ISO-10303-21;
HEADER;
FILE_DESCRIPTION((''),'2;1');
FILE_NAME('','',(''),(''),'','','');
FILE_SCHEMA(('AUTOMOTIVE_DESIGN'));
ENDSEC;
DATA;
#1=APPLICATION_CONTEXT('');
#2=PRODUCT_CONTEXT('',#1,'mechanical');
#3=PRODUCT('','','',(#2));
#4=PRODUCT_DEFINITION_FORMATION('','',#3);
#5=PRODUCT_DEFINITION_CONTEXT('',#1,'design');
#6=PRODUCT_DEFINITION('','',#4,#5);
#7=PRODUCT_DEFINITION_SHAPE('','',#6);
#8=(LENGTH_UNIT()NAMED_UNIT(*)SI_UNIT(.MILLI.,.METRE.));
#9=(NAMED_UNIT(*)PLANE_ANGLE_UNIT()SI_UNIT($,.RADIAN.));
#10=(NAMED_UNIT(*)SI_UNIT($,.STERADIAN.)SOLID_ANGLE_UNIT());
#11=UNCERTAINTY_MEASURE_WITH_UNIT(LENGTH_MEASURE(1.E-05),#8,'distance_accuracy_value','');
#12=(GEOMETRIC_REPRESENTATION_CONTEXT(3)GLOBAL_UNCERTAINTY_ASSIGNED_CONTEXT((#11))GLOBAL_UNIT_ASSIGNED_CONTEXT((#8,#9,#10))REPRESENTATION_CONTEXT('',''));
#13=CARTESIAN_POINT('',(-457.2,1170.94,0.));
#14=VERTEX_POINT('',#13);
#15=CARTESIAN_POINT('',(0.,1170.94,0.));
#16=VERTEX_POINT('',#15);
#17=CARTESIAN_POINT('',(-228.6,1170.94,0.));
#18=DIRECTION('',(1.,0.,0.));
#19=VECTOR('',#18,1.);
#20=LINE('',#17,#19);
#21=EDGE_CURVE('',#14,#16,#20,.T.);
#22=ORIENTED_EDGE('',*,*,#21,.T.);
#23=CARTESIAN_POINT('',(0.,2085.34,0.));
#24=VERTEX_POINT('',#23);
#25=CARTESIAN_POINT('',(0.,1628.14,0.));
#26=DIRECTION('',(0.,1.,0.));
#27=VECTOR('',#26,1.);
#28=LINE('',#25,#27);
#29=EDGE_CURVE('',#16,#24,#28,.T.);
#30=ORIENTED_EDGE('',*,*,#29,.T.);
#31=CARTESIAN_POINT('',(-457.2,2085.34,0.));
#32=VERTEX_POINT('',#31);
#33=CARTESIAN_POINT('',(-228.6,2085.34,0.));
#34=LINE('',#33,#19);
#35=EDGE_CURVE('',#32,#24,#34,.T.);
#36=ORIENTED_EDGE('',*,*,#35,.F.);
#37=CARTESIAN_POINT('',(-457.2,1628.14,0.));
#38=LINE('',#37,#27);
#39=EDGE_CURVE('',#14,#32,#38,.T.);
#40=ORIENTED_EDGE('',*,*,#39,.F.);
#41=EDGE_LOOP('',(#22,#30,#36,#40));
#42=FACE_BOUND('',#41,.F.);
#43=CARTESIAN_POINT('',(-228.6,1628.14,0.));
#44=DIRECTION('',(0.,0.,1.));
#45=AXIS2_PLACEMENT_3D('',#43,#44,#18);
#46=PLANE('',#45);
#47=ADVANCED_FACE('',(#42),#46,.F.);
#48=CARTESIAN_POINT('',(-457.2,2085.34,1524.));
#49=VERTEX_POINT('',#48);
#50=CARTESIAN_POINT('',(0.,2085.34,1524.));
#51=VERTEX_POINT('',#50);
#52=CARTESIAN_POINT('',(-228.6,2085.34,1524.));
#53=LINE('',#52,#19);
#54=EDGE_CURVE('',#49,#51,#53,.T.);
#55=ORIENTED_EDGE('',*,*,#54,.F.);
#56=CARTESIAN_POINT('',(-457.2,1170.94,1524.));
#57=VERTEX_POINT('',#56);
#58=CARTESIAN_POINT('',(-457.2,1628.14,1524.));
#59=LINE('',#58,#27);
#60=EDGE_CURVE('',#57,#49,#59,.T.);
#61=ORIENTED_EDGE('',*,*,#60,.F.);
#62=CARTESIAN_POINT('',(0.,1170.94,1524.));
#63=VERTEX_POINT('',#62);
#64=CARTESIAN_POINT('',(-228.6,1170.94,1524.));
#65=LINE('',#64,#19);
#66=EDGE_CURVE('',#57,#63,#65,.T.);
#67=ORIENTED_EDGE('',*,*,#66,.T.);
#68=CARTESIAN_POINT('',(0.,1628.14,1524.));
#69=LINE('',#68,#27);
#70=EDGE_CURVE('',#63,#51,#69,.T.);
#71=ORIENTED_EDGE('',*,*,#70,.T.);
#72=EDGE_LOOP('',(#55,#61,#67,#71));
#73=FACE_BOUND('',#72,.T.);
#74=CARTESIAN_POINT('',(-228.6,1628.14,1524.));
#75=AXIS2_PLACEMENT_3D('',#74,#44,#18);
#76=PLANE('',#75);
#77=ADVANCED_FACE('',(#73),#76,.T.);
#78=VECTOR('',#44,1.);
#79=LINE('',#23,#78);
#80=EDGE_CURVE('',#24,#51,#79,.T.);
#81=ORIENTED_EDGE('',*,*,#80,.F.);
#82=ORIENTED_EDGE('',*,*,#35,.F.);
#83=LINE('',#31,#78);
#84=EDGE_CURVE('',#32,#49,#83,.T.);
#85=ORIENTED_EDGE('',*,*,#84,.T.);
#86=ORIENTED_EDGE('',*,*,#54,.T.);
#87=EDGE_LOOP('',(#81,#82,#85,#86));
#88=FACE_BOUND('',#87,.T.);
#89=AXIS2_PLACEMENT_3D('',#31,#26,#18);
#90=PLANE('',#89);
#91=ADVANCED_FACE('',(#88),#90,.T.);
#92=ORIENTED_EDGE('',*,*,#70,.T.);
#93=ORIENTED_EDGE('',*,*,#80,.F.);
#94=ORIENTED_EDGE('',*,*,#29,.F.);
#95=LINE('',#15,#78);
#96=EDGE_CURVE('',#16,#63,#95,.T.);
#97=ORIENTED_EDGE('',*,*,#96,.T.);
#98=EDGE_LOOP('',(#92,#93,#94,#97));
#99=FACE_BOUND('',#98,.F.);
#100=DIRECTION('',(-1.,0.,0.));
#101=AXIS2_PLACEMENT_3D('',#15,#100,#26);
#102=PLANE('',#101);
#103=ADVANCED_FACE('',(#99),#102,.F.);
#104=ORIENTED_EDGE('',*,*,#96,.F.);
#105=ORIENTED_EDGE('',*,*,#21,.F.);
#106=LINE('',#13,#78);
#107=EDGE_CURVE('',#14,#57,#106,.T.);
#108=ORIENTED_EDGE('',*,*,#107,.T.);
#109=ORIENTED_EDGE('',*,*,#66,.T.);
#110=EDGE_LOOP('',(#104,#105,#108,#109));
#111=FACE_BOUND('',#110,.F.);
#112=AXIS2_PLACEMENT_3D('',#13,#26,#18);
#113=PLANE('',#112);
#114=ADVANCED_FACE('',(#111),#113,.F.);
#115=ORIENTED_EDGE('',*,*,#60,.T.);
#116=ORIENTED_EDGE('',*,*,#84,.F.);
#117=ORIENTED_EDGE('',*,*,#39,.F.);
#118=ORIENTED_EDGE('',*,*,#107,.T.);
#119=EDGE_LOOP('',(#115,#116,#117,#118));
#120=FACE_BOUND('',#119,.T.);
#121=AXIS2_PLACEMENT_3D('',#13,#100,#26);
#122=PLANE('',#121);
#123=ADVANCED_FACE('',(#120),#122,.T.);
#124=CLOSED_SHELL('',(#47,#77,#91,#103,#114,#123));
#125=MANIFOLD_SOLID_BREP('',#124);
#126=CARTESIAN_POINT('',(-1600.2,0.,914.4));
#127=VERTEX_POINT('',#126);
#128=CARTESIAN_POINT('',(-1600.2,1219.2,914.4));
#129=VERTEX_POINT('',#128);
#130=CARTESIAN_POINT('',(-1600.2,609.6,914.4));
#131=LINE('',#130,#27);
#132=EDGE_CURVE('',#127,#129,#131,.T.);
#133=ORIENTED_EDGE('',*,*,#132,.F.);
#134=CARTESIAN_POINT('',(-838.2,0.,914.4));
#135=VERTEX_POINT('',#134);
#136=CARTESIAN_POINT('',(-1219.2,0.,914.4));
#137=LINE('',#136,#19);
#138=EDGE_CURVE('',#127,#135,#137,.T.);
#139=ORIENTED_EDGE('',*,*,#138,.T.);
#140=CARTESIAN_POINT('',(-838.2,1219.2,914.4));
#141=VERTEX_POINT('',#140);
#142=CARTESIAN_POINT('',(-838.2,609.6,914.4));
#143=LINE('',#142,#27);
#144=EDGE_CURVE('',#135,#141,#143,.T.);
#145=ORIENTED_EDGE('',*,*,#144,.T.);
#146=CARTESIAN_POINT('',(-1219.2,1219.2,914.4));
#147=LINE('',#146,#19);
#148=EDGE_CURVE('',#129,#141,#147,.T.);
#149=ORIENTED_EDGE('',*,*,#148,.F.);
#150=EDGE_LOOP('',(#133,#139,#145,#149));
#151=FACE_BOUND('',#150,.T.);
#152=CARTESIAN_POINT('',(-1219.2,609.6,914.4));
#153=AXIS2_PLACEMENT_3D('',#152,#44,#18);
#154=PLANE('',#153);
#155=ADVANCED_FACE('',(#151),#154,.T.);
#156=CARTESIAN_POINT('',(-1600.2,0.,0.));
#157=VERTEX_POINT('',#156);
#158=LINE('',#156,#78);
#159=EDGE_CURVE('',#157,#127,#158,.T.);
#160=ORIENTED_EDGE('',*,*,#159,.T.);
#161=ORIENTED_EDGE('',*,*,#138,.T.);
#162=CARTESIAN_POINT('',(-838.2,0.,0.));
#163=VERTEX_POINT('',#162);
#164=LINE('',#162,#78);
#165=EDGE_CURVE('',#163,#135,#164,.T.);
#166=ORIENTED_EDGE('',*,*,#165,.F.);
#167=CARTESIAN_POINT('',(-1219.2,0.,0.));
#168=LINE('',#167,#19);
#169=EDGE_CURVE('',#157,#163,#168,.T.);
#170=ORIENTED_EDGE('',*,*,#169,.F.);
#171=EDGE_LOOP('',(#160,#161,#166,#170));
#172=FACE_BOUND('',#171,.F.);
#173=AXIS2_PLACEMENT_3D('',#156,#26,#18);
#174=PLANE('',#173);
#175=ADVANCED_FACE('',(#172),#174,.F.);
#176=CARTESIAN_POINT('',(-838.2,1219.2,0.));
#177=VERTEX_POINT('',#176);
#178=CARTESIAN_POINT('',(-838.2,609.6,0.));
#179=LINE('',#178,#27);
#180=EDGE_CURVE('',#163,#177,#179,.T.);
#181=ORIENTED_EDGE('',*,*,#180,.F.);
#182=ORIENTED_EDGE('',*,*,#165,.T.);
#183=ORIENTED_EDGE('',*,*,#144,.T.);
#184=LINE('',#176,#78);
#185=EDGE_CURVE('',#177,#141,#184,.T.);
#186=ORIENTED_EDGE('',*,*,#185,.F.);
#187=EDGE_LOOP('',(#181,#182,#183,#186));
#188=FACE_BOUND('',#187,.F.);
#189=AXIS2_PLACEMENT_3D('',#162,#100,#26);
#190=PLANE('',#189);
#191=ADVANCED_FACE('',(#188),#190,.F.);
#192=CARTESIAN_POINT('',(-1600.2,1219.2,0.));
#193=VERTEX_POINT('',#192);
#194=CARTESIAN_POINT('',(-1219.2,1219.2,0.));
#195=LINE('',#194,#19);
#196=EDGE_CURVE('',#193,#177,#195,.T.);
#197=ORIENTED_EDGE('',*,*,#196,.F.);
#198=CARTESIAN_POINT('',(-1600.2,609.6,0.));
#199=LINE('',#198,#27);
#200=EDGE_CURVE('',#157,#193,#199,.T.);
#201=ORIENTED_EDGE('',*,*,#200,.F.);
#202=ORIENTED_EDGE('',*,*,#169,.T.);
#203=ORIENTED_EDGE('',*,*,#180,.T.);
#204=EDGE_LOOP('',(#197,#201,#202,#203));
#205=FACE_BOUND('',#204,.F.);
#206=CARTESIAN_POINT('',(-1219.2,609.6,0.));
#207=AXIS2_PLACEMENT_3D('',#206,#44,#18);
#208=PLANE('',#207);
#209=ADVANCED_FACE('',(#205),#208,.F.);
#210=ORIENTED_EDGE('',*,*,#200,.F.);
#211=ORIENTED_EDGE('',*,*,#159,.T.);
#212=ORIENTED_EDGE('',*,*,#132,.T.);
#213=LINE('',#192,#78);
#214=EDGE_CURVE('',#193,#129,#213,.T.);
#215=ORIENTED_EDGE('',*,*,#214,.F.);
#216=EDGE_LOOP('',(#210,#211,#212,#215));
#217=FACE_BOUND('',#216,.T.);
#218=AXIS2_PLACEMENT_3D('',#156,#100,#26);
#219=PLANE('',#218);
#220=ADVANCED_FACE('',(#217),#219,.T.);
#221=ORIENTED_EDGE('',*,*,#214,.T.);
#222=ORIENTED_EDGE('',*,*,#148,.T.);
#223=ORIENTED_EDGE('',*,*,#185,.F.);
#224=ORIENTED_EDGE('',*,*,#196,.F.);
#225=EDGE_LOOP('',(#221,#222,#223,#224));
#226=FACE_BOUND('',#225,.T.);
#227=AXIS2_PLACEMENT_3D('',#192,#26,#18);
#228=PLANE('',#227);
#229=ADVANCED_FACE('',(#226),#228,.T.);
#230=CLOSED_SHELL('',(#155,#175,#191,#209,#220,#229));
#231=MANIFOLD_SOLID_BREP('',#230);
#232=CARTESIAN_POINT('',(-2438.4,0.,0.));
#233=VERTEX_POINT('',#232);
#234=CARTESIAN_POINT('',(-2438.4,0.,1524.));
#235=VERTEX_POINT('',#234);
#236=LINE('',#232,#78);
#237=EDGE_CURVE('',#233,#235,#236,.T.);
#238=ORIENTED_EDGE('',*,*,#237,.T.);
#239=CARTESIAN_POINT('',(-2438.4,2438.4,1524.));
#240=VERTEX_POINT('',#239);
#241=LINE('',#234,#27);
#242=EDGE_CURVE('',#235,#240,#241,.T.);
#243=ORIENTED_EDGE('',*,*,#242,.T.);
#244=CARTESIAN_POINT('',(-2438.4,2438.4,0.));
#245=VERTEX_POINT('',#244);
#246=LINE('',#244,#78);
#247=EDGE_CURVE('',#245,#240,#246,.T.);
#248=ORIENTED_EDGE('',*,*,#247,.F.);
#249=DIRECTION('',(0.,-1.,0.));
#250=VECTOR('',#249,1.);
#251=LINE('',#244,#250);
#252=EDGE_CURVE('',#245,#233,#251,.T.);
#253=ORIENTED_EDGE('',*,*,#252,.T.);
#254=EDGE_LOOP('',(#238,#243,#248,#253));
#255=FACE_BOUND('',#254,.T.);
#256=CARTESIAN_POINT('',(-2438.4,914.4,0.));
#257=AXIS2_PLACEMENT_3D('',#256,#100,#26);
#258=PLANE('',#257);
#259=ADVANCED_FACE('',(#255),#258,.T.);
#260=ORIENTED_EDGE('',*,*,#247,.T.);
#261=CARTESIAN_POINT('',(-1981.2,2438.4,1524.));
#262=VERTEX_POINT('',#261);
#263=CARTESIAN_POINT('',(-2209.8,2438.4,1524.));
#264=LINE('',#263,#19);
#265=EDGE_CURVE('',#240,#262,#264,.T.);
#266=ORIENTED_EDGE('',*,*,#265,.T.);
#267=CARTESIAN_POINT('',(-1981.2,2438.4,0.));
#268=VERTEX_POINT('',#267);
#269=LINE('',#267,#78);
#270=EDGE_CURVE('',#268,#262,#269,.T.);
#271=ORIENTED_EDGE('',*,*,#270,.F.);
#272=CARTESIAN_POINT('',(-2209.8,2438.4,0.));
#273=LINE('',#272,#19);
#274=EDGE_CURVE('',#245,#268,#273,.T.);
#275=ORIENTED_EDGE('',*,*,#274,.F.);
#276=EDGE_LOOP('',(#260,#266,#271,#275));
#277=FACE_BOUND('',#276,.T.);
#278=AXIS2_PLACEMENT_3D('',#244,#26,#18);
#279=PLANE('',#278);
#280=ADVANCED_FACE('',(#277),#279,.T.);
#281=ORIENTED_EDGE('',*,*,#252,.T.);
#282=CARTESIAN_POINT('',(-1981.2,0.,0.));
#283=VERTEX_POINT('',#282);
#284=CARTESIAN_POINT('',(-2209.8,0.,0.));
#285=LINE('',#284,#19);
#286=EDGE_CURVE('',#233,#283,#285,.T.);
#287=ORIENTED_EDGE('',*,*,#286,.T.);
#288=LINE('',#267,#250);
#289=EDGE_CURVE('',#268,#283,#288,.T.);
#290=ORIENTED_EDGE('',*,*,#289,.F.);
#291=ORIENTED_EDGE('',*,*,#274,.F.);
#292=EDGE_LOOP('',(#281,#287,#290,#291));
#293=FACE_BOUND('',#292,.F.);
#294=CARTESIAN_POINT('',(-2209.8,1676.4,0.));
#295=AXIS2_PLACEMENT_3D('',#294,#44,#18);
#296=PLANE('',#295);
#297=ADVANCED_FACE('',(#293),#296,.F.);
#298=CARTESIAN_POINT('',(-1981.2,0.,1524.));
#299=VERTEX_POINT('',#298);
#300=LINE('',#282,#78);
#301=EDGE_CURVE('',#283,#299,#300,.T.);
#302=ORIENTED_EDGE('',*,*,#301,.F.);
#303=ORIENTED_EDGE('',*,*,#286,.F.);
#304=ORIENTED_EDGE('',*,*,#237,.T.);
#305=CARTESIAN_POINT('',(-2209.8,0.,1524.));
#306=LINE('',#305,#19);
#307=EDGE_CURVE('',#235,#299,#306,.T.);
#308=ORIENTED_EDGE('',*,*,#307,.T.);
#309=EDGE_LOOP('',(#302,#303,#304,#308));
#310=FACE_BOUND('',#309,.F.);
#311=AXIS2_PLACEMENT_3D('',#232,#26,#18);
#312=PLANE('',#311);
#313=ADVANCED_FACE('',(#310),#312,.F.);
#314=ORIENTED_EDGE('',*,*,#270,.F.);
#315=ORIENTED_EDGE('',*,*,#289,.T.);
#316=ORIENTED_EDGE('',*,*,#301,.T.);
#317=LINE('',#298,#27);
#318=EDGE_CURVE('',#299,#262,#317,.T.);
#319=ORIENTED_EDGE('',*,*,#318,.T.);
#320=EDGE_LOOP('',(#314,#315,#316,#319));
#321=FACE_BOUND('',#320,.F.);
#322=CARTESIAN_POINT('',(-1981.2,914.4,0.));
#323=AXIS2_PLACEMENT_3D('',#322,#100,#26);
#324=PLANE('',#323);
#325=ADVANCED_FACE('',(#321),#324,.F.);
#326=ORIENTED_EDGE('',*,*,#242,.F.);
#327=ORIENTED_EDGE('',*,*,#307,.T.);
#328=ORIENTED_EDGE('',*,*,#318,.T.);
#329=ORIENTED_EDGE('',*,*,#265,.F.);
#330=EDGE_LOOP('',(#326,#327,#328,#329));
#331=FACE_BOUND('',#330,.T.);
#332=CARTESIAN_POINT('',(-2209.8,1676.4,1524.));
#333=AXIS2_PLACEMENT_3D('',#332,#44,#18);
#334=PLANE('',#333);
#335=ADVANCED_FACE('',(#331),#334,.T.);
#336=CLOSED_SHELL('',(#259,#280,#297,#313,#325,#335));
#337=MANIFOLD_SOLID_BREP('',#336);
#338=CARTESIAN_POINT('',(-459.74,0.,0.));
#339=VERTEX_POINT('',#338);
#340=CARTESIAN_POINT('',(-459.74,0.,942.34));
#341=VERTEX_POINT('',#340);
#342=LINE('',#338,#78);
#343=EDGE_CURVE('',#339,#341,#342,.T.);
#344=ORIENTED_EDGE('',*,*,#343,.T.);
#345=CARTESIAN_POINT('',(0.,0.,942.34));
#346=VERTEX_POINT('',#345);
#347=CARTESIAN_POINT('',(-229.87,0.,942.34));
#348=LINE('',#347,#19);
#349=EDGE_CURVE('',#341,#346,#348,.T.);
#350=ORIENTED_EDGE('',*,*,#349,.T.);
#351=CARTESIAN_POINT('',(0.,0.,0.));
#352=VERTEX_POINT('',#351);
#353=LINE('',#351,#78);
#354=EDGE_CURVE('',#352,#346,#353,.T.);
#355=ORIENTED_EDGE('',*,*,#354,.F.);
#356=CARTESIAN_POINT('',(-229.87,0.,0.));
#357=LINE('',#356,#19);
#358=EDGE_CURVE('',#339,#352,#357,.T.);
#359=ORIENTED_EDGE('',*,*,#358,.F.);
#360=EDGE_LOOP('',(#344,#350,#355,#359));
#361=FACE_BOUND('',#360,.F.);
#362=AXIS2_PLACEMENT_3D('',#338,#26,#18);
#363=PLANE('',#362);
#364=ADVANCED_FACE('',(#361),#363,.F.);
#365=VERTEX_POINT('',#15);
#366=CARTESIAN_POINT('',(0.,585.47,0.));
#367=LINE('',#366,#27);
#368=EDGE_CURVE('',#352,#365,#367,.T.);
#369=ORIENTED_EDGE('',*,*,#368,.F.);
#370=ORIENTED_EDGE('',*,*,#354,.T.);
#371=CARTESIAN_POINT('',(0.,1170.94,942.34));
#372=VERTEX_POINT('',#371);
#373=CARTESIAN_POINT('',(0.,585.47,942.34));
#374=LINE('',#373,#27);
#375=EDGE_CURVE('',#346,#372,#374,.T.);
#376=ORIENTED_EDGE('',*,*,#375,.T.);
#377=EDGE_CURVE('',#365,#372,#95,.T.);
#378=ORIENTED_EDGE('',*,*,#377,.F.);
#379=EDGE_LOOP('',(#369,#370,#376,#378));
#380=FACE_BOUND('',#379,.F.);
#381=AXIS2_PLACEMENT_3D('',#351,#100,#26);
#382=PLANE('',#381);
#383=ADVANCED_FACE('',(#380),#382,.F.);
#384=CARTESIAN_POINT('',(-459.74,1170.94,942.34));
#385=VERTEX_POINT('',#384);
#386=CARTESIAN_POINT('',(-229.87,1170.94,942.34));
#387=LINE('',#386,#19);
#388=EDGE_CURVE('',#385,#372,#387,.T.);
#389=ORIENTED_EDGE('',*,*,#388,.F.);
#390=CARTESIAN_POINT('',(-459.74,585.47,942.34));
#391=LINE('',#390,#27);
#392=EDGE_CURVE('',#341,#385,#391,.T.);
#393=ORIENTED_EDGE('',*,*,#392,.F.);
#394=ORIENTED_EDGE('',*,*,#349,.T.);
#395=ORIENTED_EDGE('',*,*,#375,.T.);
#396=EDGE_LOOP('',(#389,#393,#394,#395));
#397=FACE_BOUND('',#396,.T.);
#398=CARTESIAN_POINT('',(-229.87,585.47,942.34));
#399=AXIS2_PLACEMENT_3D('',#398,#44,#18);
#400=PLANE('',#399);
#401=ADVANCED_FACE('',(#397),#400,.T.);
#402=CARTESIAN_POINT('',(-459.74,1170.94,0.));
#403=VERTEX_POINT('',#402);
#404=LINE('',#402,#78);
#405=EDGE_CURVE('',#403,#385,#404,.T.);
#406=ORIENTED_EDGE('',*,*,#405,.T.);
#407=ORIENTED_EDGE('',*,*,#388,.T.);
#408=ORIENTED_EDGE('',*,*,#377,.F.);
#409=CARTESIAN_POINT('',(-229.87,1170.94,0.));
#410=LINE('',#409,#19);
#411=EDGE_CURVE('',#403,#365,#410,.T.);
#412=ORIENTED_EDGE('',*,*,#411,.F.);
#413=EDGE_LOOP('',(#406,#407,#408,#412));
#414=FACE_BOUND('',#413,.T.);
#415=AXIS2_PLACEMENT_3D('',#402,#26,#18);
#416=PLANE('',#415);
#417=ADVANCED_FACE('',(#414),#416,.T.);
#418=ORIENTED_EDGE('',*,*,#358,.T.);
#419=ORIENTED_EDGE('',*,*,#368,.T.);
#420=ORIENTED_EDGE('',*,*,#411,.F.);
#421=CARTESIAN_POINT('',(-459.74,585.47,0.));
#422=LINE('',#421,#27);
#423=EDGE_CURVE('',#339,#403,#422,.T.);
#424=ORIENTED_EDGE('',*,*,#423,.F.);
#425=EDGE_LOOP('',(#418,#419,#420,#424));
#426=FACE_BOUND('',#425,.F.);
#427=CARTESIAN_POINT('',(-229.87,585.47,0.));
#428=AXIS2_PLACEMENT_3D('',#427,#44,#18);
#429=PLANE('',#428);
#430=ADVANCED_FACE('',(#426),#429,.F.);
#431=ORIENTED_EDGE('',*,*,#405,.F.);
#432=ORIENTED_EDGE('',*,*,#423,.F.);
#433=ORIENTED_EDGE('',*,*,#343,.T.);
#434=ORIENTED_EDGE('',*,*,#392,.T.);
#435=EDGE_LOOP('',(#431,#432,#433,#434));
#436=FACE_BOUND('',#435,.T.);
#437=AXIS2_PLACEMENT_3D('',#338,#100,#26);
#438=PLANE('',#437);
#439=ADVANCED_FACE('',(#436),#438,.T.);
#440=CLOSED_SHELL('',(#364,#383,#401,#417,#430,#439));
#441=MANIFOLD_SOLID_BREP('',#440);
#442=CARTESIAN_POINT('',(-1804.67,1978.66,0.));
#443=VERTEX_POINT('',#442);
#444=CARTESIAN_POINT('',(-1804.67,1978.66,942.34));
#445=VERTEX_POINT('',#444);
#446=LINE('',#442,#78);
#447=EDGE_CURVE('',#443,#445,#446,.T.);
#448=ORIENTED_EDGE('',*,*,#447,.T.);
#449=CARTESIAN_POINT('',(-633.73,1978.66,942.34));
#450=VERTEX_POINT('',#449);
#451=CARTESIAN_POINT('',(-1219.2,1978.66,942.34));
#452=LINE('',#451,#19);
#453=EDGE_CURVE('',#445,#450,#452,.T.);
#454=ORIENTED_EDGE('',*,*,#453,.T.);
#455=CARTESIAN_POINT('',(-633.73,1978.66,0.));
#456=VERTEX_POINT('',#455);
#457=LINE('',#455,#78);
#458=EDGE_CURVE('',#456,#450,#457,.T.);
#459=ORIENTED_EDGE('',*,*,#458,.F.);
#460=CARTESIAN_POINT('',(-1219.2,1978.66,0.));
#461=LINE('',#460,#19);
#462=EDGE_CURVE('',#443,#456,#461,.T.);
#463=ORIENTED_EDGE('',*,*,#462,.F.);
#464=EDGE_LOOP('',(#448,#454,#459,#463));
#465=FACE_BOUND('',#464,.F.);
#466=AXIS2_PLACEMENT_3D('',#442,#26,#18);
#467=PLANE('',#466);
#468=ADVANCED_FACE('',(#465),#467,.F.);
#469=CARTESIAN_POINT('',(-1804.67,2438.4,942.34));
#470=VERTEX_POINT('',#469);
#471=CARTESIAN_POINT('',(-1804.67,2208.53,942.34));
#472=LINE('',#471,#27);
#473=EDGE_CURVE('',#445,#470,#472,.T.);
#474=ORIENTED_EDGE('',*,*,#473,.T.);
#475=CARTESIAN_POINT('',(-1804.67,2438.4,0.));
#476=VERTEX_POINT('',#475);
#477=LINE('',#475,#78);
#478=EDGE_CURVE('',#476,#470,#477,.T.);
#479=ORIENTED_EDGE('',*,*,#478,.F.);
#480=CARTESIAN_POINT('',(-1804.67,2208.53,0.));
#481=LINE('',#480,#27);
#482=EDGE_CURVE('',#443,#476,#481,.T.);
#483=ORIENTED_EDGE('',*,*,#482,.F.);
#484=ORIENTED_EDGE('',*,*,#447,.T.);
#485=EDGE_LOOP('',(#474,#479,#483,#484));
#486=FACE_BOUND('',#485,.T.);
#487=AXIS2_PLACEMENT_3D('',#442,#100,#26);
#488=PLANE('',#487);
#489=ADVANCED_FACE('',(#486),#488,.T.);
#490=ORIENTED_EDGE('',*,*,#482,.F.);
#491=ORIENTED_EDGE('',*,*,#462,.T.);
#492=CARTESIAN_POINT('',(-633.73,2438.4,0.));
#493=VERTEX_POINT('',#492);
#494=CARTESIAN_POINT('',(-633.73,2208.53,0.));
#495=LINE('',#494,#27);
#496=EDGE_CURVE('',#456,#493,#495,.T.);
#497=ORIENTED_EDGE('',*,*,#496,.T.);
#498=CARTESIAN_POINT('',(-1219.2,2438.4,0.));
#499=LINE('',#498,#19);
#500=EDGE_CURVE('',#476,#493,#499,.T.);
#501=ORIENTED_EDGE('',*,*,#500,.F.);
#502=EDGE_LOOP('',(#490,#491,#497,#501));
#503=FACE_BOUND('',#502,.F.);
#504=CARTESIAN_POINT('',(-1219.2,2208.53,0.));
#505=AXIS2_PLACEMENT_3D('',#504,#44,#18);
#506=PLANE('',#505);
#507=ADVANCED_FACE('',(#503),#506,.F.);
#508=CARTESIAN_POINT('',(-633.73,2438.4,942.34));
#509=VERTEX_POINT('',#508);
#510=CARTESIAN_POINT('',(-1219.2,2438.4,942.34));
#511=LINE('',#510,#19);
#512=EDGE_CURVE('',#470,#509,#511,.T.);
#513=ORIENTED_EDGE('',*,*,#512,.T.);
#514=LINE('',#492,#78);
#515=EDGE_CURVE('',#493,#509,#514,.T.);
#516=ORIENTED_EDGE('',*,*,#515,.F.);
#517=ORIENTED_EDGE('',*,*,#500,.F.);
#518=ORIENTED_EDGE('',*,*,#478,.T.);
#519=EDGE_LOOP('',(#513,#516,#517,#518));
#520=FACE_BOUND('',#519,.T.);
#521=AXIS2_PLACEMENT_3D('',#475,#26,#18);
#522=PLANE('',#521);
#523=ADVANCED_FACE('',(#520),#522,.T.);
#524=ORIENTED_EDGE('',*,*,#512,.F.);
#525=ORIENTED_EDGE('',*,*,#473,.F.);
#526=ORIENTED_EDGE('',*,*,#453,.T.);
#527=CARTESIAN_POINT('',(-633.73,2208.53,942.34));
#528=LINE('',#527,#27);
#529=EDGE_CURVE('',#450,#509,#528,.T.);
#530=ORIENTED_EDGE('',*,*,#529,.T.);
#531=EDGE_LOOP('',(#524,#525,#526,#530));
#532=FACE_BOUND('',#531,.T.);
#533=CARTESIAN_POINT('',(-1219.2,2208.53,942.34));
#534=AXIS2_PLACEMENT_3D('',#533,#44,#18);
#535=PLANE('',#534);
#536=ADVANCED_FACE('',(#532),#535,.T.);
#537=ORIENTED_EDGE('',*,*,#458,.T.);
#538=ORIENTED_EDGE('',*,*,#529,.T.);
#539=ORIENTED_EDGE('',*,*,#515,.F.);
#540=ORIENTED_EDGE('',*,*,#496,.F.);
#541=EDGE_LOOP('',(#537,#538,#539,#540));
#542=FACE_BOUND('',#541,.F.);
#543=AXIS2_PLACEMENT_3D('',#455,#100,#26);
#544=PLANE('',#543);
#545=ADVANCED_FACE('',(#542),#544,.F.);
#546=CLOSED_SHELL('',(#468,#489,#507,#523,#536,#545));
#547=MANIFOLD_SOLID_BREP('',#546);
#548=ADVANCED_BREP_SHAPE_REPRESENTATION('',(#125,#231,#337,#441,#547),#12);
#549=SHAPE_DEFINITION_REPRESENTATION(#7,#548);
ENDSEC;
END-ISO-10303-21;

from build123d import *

# Parameters (mm, degrees)
F0_W      = 457.2
F0_H      = 914.4
F1_DEPTH  = 1524
F2_W      = 457.2
F2_H      = 1524
F3_DEPTH  = 1524
F4_W      = 459.74
F4_H      = 1170.94
F5_DEPTH  = 942.34
F6_W      = 762
F6_H      = 1219.2
F7_DEPTH  = 914.4
F8_W      = 1170.94
F8_H      = 459.74
F9_DEPTH  = 942.34
F10_W     = 457.2
F10_H     = 914.4
F11_DEPTH = 1524


with BuildPart() as f1:
    # F0 (on Top) → F1 (new body)
    with BuildSketch(Plane.XY):
        with Locations((-2209.8, 457.2)):
            Rectangle(F0_W, F0_H)
    extrude(amount=F1_DEPTH)

    # F2 (on Top) → F3 (join)
    with BuildSketch(Plane.XY):
        with Locations((-2209.8, 1676.4)):
            Rectangle(F2_W, F2_H)
    extrude(amount=F3_DEPTH)


with BuildPart() as f5:
    # F4 (on Top) → F5 (new body)
    with BuildSketch(Plane.XY):
        with Locations((-229.87, 585.47)):
            Rectangle(F4_W, F4_H)
    extrude(amount=F5_DEPTH)


with BuildPart() as f7:
    # F6 (on Top) → F7 (new body)
    with BuildSketch(Plane.XY):
        with Locations((-1219.2, 609.6)):
            Rectangle(F6_W, F6_H)
    extrude(amount=F7_DEPTH)


with BuildPart() as f9:
    # F8 (on Top) → F9 (new body)
    with BuildSketch(Plane.XY):
        with Locations((-1219.2, 2208.53)):
            Rectangle(F8_W, F8_H)
    extrude(amount=F9_DEPTH)


with BuildPart() as f11:
    # F10 (on Top) → F11 (new body)
    with BuildSketch(Plane.XY):
        with Locations((-228.6, 1628.14)):
            Rectangle(F10_W, F10_H)
    extrude(amount=F11_DEPTH)


solid = Compound([f1.part, f5.part, f7.part, f9.part, f11.part])
